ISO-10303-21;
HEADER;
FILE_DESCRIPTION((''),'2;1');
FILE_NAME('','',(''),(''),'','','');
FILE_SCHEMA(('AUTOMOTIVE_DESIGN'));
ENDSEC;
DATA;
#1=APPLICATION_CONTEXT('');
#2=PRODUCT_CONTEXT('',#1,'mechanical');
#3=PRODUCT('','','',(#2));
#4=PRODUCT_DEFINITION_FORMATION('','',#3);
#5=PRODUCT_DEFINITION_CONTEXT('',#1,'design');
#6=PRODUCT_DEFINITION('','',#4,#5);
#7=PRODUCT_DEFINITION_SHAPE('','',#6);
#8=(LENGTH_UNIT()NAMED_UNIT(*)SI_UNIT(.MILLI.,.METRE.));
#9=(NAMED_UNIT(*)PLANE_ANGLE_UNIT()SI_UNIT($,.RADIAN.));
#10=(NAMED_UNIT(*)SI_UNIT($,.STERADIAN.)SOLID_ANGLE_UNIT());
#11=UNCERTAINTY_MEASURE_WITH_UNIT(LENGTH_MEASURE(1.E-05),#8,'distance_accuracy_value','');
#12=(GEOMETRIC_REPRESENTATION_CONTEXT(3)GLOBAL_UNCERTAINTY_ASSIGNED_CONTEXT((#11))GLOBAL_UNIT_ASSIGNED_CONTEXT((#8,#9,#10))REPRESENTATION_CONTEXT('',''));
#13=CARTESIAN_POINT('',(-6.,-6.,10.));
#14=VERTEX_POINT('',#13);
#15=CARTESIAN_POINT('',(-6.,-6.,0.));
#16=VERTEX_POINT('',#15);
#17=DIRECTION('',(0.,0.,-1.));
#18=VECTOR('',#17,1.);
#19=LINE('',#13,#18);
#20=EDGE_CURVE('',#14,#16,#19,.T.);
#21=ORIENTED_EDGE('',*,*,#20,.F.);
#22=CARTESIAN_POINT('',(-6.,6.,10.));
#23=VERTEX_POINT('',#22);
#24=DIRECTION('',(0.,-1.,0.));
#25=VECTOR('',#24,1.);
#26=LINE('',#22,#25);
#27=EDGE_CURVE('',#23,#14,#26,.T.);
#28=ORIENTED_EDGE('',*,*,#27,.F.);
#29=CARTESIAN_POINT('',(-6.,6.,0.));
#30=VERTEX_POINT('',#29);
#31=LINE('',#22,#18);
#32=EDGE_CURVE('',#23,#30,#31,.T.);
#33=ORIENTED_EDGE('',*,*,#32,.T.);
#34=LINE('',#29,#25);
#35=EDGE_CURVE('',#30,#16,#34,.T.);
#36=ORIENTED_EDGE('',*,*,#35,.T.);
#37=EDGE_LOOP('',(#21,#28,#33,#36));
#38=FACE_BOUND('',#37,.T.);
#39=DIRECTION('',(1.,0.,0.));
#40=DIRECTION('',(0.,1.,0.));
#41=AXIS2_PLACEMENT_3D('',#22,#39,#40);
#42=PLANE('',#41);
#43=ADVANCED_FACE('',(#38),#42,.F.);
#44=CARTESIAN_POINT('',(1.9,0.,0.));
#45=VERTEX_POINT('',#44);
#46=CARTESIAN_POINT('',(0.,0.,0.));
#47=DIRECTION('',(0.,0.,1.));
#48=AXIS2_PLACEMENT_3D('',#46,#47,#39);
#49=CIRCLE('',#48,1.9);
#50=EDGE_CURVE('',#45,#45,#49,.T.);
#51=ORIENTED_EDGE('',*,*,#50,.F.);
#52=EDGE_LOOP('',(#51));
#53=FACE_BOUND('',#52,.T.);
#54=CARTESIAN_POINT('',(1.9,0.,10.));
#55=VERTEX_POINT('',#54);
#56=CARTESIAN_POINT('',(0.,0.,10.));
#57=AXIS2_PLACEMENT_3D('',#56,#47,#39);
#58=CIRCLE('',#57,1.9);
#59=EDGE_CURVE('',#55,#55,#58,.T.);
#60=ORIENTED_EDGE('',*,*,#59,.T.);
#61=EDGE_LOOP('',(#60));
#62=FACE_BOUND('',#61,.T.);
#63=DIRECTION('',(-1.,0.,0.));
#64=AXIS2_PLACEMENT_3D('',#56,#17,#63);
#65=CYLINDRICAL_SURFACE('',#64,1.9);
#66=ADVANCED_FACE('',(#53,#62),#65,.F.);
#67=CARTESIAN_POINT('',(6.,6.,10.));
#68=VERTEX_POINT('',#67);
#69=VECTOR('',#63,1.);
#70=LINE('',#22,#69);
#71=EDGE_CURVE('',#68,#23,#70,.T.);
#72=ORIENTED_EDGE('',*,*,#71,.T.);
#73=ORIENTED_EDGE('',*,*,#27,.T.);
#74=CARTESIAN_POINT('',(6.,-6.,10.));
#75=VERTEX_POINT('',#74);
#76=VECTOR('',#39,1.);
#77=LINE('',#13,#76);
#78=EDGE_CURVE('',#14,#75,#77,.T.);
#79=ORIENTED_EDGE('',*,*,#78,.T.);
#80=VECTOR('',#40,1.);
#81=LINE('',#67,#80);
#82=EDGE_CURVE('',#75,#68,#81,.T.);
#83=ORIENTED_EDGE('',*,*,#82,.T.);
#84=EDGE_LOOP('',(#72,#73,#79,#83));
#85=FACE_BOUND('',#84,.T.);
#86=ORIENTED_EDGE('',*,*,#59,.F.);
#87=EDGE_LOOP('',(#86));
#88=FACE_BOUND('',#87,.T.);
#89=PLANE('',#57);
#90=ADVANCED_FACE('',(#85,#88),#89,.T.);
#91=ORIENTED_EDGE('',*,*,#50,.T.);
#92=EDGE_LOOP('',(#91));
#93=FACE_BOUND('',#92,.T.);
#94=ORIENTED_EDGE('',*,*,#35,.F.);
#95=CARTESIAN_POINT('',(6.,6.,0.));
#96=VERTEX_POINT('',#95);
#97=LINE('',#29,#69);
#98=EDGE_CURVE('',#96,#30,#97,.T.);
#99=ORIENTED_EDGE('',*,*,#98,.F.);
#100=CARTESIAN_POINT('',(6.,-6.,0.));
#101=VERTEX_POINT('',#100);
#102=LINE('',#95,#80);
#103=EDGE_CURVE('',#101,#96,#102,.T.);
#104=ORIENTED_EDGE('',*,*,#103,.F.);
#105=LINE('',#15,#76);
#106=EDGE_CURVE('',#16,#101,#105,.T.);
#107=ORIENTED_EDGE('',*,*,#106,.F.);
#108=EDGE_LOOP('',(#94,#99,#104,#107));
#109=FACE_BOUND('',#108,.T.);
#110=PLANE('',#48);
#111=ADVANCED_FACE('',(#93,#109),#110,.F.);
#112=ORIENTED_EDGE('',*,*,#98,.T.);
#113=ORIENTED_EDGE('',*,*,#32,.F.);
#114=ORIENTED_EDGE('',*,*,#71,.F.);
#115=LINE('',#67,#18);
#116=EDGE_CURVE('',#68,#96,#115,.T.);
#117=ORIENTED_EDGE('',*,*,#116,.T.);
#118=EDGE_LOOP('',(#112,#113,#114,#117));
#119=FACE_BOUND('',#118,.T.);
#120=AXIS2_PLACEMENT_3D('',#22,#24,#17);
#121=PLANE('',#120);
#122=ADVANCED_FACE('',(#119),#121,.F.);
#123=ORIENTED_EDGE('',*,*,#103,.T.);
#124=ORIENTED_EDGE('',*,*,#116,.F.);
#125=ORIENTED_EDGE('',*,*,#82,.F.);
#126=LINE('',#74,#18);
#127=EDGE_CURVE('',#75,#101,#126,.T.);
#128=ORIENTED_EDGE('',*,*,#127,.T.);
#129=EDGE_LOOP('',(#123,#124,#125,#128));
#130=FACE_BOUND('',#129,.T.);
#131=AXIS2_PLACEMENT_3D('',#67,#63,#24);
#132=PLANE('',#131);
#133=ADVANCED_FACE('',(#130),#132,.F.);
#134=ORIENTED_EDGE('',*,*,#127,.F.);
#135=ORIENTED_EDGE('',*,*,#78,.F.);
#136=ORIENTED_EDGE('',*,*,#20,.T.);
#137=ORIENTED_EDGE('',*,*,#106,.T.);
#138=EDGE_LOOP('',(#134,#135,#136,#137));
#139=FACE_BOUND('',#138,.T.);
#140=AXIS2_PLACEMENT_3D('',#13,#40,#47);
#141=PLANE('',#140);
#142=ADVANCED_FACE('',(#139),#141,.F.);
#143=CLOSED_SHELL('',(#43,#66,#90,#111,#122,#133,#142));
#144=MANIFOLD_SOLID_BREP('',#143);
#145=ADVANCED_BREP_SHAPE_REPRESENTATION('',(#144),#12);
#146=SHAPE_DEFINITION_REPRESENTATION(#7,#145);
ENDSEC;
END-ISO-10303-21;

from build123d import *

# Parameters (mm, degrees)
SKETCH_1_W      = 12
SKETCH_1_H      = 12
SKETCH_1_R      = 1.9
EXTRUDE_1_DEPTH = 10


with BuildPart() as part:
    # 스케치1 → 보스-돌출1 (new body)
    with BuildSketch(Plane.XY):
        Rectangle(SKETCH_1_W, SKETCH_1_H)
        Circle(SKETCH_1_R, mode=Mode.SUBTRACT)
    extrude(amount=EXTRUDE_1_DEPTH)


solid = part.part
